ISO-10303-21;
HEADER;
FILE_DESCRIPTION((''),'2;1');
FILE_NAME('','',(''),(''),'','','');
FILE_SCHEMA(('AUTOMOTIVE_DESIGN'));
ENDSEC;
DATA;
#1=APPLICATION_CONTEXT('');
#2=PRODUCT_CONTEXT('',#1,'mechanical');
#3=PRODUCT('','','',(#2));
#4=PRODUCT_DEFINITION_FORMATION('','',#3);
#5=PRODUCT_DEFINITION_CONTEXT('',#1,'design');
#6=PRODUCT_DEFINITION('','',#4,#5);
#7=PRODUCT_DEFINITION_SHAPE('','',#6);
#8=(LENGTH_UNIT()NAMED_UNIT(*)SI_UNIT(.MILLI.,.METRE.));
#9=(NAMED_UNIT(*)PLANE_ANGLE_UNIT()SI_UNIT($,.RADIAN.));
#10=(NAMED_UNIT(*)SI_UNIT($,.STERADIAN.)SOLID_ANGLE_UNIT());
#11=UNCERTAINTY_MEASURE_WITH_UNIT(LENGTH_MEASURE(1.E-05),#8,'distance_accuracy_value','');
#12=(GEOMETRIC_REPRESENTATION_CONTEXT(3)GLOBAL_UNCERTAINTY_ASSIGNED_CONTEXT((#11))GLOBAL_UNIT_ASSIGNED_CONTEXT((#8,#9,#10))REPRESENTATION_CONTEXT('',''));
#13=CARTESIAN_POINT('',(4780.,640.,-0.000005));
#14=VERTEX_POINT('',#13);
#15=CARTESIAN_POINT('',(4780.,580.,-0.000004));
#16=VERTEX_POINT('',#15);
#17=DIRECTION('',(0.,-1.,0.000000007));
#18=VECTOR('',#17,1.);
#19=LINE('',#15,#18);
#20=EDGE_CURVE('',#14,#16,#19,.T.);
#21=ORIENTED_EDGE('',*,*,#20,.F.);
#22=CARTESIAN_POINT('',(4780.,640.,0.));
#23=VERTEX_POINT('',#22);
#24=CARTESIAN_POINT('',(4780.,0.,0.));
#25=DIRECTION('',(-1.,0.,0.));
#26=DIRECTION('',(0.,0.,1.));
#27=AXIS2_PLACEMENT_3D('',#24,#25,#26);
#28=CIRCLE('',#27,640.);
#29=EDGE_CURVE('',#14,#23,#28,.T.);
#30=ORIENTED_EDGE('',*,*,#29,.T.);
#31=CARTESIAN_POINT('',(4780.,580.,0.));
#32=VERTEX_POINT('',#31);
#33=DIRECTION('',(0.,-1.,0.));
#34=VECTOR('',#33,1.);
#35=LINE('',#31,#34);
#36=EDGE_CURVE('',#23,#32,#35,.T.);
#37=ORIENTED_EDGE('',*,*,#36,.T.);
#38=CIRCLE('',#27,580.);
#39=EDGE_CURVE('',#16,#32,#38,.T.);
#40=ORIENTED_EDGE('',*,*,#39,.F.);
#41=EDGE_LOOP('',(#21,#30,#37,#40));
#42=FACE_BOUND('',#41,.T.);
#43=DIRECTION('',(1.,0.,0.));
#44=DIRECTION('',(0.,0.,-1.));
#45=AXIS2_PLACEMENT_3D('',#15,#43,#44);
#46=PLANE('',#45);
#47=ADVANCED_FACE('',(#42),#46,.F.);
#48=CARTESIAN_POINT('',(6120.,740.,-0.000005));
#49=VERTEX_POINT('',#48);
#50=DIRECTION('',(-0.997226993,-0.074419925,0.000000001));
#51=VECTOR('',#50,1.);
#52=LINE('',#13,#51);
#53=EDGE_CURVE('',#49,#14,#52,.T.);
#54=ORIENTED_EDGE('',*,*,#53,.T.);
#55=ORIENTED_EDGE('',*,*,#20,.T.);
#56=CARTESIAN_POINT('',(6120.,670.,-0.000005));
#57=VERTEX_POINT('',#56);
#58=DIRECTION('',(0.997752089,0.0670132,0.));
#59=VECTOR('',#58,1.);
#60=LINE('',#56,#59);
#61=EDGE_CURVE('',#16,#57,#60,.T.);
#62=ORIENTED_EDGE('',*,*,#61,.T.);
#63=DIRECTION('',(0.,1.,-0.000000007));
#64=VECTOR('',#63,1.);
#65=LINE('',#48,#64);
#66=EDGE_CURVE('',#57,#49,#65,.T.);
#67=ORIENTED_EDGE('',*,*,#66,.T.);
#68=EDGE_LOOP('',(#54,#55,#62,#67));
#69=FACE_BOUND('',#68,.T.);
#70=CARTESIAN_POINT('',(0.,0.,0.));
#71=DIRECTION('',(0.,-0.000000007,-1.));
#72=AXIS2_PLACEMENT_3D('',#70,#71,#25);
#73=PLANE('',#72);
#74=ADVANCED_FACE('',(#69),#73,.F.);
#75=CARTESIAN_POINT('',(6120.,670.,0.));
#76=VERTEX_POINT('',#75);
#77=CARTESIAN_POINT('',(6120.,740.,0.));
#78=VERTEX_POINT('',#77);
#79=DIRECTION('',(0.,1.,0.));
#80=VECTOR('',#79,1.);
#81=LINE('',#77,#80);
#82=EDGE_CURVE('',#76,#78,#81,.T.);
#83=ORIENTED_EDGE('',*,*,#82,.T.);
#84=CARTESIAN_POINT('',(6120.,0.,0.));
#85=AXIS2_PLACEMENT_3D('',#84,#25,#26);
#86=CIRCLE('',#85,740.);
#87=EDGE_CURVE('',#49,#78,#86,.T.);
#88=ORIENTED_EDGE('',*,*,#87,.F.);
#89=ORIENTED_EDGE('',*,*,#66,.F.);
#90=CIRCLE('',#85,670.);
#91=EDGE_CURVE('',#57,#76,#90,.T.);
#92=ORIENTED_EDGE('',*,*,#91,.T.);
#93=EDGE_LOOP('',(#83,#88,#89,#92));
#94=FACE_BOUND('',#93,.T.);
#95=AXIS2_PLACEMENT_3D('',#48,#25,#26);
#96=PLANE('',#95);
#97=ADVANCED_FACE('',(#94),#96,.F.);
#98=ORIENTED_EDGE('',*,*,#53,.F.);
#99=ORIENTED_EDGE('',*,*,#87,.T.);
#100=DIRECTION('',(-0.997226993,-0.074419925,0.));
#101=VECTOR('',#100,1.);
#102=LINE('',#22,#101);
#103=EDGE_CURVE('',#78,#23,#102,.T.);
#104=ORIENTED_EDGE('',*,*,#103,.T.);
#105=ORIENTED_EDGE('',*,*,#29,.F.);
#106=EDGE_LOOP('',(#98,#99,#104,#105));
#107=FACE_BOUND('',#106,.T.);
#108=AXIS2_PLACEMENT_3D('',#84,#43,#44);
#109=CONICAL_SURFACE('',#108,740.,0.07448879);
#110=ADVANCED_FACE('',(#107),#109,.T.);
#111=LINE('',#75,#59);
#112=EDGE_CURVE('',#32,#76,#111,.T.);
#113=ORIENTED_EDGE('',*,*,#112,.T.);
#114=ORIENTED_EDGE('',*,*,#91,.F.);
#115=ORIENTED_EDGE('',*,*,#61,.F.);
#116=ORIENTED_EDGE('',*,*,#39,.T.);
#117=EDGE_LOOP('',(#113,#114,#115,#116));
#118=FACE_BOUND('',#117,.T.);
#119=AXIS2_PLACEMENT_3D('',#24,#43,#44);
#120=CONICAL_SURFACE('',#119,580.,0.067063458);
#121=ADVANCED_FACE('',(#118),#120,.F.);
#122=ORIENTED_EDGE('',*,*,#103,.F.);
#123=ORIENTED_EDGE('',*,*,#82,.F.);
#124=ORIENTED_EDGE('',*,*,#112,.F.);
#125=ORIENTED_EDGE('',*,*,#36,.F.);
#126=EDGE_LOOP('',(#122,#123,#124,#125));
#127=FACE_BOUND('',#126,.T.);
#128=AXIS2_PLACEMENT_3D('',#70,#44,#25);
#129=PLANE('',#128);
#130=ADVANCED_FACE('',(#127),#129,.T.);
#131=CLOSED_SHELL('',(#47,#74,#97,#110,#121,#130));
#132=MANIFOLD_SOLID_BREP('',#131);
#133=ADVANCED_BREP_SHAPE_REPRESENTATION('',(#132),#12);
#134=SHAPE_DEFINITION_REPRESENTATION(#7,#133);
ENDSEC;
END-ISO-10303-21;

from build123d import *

# Parameters (mm, degrees)
REVOLVE1_ANGLE = 359.999999589


with BuildPart() as part:
    # Sketch1 → Revolve1 (revolve)
    with BuildSketch(Plane.XY):
        Polygon((4780, 580), (4780, 640), (6120, 740), (6120, 670), align=None)
    revolve(axis=Axis((0, 0, 0), (1, 0, 0)), revolution_arc=REVOLVE1_ANGLE)


solid = part.part
